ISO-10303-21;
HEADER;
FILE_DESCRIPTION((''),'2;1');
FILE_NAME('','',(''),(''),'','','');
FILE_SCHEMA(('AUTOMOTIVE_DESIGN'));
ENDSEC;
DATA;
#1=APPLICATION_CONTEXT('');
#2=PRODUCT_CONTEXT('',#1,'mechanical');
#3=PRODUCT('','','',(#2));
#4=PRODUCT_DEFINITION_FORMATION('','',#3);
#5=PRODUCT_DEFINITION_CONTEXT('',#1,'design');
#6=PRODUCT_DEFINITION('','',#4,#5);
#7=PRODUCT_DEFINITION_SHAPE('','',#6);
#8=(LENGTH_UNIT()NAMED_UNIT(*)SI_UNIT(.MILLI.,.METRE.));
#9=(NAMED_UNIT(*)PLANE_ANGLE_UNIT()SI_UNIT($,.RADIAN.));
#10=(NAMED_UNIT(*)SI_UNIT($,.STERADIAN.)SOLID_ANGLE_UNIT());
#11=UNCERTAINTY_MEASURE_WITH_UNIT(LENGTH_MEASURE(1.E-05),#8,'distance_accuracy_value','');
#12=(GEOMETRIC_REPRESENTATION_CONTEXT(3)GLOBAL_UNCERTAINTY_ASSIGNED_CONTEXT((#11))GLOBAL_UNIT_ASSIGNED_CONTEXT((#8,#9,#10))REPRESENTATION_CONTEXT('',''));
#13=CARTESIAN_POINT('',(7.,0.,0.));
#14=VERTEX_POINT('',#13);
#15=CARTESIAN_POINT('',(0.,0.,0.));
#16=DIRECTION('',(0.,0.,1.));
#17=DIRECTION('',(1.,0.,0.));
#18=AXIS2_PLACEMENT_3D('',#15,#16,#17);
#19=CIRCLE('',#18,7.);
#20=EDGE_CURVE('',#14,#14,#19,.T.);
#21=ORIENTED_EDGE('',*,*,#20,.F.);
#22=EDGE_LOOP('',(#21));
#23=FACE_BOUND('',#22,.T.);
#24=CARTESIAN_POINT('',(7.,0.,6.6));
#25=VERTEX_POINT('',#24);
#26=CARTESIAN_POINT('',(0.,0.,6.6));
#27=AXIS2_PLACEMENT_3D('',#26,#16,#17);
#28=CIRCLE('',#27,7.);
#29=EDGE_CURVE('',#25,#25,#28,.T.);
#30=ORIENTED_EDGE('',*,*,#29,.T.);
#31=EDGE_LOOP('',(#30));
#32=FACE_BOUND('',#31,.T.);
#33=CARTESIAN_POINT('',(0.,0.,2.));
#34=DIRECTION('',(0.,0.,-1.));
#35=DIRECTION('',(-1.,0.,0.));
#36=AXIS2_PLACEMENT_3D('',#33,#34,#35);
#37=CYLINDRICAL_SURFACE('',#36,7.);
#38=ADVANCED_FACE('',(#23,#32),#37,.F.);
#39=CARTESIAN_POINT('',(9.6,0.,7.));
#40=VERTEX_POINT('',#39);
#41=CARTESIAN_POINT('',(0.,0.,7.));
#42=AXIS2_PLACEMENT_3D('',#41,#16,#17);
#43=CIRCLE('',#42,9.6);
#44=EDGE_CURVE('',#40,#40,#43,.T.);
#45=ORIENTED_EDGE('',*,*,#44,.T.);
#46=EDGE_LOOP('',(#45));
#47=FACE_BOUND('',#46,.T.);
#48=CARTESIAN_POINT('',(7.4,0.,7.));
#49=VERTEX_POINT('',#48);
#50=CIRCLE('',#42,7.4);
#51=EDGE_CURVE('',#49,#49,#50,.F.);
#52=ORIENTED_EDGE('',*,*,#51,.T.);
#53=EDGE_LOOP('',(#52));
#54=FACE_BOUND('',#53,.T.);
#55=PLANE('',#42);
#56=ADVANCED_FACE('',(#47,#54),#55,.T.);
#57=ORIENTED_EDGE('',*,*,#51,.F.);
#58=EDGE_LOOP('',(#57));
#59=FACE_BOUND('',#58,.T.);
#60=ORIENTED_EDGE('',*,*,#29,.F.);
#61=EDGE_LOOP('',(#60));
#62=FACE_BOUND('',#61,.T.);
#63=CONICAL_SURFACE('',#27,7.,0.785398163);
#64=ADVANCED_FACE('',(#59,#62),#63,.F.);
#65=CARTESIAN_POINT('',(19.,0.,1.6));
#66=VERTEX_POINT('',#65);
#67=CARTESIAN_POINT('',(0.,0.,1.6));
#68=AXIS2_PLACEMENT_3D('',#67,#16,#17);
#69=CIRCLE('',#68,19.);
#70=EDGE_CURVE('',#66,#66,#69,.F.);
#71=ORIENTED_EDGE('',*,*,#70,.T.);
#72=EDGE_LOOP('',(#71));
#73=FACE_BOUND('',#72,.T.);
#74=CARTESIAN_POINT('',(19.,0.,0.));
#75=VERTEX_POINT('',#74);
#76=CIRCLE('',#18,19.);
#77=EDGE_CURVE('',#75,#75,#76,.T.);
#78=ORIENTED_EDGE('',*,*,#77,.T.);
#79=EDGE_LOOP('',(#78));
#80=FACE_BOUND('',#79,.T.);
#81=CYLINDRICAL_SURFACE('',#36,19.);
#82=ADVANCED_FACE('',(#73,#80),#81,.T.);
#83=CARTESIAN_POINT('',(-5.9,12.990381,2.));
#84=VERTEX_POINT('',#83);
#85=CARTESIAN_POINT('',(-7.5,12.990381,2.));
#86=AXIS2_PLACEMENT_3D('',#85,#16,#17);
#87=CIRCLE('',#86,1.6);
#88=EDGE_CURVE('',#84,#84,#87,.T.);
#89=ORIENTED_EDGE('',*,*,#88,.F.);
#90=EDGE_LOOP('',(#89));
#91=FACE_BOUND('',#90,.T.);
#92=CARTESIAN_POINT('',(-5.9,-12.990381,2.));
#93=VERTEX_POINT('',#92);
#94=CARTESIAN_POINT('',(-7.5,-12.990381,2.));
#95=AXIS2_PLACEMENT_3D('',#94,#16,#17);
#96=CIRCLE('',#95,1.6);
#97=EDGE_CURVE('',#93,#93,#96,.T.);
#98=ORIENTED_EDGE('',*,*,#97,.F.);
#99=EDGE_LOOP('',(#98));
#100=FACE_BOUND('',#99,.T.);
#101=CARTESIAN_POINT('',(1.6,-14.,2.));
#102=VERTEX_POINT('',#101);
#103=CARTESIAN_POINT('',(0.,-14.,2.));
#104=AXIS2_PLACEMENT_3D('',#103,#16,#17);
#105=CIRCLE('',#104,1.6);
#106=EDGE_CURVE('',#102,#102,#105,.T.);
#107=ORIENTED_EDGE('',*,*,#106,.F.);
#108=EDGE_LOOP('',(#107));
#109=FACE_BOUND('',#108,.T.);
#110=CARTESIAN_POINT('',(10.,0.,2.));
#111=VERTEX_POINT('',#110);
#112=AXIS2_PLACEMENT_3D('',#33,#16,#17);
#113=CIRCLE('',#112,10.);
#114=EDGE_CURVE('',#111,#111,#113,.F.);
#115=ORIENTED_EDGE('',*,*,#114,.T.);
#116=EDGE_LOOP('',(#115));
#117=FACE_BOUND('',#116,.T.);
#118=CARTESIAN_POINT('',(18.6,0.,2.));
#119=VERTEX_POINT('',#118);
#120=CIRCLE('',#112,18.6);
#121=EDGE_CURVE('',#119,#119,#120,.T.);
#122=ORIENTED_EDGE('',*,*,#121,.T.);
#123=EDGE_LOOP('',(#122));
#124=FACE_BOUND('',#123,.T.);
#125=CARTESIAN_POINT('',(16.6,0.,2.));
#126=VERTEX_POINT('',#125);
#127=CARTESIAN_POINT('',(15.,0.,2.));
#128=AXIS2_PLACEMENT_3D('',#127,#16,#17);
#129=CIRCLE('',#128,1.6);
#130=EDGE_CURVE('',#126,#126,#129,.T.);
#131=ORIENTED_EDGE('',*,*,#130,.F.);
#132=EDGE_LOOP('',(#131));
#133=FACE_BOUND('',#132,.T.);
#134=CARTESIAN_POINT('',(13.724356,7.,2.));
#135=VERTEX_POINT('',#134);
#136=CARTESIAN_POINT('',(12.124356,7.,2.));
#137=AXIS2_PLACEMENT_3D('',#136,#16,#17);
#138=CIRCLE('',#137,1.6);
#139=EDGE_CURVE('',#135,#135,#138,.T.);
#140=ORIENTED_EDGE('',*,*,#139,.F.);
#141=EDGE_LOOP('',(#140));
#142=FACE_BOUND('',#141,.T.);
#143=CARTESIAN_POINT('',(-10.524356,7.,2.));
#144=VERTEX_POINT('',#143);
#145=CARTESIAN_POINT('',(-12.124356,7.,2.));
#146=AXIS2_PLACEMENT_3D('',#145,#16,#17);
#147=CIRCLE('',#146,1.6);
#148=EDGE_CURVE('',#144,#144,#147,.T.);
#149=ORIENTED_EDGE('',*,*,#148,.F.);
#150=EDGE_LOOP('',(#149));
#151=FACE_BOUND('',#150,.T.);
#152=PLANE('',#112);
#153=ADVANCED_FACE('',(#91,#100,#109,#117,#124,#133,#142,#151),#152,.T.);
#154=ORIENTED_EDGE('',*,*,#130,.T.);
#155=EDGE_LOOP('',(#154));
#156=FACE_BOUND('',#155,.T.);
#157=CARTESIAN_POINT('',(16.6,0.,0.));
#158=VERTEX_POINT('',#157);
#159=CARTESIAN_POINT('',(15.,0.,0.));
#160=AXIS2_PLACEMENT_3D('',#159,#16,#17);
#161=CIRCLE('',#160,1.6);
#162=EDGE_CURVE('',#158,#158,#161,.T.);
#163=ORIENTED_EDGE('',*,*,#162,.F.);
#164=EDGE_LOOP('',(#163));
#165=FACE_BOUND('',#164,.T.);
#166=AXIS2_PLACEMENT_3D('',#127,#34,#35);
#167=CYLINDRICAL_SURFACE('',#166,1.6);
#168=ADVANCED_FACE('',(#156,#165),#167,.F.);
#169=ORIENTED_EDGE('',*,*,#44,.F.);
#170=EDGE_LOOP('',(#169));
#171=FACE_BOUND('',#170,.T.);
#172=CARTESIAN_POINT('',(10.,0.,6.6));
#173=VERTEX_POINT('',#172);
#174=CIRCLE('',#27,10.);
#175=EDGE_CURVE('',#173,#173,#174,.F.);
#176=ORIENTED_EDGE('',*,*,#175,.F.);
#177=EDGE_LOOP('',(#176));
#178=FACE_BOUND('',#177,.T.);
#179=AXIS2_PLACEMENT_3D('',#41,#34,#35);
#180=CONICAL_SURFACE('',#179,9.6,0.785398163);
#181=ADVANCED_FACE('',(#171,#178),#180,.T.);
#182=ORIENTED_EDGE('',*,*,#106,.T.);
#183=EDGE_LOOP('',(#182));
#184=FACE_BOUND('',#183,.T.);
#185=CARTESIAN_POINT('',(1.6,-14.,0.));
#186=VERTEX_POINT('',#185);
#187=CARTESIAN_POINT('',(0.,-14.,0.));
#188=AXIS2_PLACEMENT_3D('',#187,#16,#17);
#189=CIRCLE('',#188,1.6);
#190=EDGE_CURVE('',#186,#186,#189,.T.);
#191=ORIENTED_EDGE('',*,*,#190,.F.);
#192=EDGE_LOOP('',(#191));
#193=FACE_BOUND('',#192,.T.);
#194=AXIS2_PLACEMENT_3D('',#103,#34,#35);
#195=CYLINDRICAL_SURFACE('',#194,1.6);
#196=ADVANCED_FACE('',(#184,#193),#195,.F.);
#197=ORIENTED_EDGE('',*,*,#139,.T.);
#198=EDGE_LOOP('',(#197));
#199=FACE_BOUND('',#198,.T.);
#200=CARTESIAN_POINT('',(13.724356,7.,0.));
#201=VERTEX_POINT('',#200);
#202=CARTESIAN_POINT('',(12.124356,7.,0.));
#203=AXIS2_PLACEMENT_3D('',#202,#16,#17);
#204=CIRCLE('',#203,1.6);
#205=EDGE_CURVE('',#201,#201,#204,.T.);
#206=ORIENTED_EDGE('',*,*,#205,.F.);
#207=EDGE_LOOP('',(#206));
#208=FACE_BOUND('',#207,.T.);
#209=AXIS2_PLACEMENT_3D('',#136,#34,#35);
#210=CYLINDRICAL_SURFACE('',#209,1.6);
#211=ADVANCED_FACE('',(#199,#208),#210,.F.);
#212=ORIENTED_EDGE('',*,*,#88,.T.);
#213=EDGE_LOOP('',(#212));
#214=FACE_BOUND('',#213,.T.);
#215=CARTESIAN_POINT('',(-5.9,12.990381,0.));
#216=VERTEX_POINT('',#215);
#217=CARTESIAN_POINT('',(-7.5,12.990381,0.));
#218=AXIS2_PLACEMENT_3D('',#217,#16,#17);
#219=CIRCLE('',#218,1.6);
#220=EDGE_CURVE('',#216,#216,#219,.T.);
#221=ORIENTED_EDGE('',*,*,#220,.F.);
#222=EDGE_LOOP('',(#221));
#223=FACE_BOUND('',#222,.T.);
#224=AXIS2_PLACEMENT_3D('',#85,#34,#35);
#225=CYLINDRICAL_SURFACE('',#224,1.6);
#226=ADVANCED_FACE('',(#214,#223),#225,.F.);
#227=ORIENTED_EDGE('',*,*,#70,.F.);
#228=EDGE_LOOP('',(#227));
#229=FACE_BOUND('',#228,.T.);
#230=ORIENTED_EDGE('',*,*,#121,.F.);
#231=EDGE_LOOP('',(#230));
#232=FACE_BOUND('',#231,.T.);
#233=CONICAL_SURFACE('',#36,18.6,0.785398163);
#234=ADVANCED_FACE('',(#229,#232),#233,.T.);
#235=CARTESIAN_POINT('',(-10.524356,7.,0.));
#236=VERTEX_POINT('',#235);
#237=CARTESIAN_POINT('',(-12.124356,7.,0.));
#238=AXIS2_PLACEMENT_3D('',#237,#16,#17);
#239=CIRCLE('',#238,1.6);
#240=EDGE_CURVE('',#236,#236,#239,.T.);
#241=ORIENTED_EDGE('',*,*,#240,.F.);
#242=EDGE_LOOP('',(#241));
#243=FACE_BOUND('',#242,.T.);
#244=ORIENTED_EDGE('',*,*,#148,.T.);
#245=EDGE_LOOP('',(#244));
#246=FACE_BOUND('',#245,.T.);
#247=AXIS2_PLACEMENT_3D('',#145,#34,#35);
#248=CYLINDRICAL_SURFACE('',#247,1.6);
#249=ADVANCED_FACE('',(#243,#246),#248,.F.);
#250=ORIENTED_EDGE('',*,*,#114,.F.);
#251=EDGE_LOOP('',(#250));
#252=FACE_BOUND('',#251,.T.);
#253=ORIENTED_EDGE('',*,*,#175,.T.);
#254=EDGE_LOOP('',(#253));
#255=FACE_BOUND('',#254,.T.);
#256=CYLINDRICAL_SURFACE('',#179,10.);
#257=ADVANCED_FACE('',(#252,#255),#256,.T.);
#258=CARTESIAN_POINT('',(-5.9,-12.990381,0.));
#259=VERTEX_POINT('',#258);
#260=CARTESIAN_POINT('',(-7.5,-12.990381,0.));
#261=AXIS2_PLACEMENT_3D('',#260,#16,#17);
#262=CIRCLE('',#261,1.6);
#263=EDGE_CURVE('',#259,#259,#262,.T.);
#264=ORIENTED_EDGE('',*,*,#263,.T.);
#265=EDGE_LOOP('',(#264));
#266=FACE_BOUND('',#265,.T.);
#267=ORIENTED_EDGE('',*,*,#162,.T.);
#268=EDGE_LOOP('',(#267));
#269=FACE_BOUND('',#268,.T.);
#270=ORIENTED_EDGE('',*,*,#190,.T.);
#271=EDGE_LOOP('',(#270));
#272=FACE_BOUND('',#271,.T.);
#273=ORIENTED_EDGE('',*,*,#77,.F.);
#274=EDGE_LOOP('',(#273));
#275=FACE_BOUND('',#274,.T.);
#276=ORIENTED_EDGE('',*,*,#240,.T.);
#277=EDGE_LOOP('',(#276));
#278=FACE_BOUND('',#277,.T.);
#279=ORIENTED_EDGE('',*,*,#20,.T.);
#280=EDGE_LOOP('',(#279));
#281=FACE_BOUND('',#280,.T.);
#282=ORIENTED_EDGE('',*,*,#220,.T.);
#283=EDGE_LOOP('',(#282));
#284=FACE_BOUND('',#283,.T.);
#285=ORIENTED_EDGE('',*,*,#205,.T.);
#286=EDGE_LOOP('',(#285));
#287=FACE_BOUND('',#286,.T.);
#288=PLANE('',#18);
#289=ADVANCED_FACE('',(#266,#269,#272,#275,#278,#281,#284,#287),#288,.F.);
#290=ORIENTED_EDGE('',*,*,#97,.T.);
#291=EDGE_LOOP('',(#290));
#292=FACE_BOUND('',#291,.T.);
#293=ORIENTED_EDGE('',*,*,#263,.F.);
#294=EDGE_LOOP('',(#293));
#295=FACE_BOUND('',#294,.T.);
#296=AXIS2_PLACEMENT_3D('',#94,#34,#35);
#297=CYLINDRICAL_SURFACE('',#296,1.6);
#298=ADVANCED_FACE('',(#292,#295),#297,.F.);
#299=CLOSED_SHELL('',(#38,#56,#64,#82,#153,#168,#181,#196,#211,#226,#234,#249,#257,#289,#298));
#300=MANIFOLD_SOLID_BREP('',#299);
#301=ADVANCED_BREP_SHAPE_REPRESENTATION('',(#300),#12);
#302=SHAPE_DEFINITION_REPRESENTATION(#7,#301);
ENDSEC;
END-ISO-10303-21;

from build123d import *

# Parameters (mm, degrees)
SKETCH_1_R      = 19
SKETCH_1_R_2    = 7
SKETCH_1_R_3    = 1.6
EXTRUDE_1_DEPTH = 2
SKETCH_1_3_R    = 10
SKETCH_1_3_R_2  = 7
EXTRUDE_2_DEPTH = 7
CHAMFER_1_SIZE  = 0.4


with BuildPart() as part:
    # 草图1 → 凸台-拉伸1 (new body)
    with BuildSketch(Plane.XY):
        Circle(SKETCH_1_R)
        Circle(SKETCH_1_R_2, mode=Mode.SUBTRACT)
        with Locations((-7.5, -12.990381057)):
            Circle(SKETCH_1_R_3, mode=Mode.SUBTRACT)
        with Locations((0, -14)):
            Circle(SKETCH_1_R_3, mode=Mode.SUBTRACT)
        with Locations((15, 0)):
            Circle(SKETCH_1_R_3, mode=Mode.SUBTRACT)
        with Locations((-12.124355653, 7)):
            Circle(SKETCH_1_R_3, mode=Mode.SUBTRACT)
        with Locations((-7.5, 12.990381057)):
            Circle(SKETCH_1_R_3, mode=Mode.SUBTRACT)
        with Locations((12.124355653, 7)):
            Circle(SKETCH_1_R_3, mode=Mode.SUBTRACT)
    extrude(amount=EXTRUDE_1_DEPTH)

    # 草图1<3> → 凸台-拉伸2 (add)
    with BuildSketch(Plane.XY):
        Circle(SKETCH_1_3_R)
        Circle(SKETCH_1_3_R_2, mode=Mode.SUBTRACT)
    extrude(amount=EXTRUDE_2_DEPTH)

    # 倒角1
    chamfer_1_edges = [part.edges().sort_by_distance(p)[0] for p in [
        (-19, 0, 2),
        (-7, 0, 7),
        (-10, 0, 7),
    ]]
    chamfer(chamfer_1_edges, length=CHAMFER_1_SIZE)


solid = part.part
